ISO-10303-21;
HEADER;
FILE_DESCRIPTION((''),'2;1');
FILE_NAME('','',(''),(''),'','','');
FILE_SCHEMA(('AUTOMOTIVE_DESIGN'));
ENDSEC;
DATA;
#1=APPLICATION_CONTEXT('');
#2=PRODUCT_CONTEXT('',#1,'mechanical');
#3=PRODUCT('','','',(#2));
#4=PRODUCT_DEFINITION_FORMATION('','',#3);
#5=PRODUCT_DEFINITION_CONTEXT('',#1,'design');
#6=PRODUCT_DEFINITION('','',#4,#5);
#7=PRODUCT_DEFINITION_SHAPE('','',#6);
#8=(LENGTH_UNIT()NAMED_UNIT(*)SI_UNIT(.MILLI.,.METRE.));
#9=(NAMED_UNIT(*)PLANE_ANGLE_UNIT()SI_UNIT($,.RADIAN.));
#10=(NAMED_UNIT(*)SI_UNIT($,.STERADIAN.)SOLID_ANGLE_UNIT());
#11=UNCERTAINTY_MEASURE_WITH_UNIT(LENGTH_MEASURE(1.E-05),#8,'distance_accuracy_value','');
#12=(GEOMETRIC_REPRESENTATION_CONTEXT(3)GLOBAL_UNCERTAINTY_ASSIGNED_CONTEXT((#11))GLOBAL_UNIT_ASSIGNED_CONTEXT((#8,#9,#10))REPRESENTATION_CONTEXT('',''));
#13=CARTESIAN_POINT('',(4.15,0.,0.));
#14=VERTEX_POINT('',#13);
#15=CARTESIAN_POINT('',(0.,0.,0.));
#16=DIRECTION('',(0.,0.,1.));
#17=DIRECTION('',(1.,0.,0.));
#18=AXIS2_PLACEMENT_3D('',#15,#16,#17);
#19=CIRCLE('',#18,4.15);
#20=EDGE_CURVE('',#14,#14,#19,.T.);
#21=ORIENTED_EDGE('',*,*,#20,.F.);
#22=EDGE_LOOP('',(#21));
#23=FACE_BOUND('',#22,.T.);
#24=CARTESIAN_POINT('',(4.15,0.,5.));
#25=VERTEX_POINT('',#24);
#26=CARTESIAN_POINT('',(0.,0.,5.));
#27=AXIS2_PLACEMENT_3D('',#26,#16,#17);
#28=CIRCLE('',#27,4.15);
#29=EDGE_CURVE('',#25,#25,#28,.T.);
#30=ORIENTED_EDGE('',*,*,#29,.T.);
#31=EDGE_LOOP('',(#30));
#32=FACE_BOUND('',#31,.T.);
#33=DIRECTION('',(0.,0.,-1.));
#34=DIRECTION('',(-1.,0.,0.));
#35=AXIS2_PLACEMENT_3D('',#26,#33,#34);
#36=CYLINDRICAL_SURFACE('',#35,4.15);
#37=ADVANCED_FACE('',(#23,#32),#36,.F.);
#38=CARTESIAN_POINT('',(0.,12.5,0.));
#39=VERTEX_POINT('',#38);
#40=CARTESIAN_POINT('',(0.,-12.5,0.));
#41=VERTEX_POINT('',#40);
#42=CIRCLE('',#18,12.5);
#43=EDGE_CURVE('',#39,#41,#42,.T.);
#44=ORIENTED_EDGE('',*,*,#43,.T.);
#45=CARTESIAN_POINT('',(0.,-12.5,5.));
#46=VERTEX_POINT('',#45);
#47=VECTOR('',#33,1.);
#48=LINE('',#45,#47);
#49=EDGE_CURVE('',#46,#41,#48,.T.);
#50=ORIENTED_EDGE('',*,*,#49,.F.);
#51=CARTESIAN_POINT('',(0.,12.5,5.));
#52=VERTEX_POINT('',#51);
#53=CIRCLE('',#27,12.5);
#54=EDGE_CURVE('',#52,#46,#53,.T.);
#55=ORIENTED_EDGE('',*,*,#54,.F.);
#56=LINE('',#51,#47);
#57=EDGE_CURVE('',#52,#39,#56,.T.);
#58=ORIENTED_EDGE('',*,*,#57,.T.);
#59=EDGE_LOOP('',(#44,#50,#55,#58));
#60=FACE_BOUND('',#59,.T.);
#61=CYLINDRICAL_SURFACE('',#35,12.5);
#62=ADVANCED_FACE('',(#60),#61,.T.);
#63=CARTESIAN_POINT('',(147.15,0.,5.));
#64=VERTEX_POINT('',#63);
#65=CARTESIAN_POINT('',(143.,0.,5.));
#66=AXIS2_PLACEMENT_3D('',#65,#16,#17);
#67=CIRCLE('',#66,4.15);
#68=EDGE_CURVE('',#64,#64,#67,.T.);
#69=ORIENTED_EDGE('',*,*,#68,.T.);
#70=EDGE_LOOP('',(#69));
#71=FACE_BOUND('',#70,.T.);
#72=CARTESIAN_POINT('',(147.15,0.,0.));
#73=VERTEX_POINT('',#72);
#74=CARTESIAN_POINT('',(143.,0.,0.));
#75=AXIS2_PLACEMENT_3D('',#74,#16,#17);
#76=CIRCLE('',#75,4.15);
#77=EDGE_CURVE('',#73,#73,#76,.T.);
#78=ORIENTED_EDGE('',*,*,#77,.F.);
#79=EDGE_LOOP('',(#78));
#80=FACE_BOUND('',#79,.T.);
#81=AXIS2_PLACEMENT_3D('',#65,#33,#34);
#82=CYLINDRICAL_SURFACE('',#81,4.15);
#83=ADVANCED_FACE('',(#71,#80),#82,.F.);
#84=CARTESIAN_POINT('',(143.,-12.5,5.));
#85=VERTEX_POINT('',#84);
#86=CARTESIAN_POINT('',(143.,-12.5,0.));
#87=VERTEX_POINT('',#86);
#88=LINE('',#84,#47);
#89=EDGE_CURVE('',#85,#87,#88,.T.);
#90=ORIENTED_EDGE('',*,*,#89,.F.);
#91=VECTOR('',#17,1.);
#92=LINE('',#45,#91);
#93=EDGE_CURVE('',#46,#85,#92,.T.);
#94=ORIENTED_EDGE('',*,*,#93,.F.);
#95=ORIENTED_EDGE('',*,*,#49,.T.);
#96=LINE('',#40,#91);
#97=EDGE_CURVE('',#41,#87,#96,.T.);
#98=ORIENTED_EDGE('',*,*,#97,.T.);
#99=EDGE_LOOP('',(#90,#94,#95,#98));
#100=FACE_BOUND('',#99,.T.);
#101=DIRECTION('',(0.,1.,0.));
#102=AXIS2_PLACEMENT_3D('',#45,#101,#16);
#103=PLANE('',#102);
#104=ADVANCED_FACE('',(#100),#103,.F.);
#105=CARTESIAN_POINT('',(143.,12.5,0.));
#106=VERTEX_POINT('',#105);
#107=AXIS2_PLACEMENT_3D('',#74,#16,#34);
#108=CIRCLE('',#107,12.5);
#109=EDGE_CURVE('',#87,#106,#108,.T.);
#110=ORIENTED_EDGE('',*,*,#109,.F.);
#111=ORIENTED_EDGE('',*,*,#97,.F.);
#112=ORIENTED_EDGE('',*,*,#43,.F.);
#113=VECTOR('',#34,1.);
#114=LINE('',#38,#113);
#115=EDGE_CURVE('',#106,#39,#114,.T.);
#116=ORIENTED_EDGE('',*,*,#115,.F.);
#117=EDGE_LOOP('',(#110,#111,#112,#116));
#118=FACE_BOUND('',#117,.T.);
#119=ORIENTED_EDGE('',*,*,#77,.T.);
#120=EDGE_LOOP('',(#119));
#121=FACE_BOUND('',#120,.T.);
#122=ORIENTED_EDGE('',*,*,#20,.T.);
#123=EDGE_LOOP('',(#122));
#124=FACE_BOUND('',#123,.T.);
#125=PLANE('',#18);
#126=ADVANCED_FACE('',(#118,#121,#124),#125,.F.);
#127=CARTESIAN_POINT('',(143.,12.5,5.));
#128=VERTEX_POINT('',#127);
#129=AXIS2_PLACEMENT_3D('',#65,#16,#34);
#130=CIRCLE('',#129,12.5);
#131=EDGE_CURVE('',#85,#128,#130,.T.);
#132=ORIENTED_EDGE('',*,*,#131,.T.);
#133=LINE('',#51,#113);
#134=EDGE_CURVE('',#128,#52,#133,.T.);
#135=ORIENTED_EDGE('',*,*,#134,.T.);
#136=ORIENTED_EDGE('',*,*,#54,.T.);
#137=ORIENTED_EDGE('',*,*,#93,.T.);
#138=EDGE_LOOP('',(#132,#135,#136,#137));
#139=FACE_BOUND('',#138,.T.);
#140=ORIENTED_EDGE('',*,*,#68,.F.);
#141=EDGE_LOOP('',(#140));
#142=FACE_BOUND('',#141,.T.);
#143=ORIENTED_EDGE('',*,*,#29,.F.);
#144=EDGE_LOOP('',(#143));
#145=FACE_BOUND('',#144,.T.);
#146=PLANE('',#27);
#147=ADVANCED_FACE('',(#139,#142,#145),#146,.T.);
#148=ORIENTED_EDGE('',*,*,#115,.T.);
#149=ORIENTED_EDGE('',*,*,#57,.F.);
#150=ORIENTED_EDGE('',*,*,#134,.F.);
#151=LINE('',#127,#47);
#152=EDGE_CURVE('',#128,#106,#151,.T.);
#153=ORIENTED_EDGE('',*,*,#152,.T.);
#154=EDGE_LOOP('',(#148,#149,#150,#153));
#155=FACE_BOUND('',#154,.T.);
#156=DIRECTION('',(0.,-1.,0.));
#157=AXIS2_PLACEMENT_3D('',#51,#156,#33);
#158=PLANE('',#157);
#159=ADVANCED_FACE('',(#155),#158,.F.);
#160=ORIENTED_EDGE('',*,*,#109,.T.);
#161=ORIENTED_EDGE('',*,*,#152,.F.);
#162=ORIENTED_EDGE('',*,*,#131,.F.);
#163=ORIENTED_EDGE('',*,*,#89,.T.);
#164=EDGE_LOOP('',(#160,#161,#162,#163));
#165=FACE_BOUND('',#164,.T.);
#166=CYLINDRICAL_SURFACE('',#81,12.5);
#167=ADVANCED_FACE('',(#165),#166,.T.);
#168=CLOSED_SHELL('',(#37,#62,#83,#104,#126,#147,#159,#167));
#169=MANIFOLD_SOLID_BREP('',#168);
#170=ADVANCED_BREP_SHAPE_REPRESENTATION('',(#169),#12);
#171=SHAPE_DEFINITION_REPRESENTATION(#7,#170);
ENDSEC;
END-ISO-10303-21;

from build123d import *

# Parameters (mm, degrees)
SKICA1_R                = 4.15
P_IDAT_VYSUNUT_M1_DEPTH = 5


with BuildPart() as part:
    # Skica1 → Přidat vysunutím1 (new body)
    with BuildSketch(Plane.XY):
        with BuildLine():
            Line((0, 12.5), (143, 12.5))
            ThreePointArc((143, 12.5), (155.5, 0), (143, -12.5))
            Line((143, -12.5), (0, -12.5))
            ThreePointArc((0, -12.5), (-12.5, 0), (0, 12.5))
        make_face()
        Circle(SKICA1_R, mode=Mode.SUBTRACT)
        with Locations((143, 0)):
            Circle(SKICA1_R, mode=Mode.SUBTRACT)
    extrude(amount=P_IDAT_VYSUNUT_M1_DEPTH)


solid = part.part
